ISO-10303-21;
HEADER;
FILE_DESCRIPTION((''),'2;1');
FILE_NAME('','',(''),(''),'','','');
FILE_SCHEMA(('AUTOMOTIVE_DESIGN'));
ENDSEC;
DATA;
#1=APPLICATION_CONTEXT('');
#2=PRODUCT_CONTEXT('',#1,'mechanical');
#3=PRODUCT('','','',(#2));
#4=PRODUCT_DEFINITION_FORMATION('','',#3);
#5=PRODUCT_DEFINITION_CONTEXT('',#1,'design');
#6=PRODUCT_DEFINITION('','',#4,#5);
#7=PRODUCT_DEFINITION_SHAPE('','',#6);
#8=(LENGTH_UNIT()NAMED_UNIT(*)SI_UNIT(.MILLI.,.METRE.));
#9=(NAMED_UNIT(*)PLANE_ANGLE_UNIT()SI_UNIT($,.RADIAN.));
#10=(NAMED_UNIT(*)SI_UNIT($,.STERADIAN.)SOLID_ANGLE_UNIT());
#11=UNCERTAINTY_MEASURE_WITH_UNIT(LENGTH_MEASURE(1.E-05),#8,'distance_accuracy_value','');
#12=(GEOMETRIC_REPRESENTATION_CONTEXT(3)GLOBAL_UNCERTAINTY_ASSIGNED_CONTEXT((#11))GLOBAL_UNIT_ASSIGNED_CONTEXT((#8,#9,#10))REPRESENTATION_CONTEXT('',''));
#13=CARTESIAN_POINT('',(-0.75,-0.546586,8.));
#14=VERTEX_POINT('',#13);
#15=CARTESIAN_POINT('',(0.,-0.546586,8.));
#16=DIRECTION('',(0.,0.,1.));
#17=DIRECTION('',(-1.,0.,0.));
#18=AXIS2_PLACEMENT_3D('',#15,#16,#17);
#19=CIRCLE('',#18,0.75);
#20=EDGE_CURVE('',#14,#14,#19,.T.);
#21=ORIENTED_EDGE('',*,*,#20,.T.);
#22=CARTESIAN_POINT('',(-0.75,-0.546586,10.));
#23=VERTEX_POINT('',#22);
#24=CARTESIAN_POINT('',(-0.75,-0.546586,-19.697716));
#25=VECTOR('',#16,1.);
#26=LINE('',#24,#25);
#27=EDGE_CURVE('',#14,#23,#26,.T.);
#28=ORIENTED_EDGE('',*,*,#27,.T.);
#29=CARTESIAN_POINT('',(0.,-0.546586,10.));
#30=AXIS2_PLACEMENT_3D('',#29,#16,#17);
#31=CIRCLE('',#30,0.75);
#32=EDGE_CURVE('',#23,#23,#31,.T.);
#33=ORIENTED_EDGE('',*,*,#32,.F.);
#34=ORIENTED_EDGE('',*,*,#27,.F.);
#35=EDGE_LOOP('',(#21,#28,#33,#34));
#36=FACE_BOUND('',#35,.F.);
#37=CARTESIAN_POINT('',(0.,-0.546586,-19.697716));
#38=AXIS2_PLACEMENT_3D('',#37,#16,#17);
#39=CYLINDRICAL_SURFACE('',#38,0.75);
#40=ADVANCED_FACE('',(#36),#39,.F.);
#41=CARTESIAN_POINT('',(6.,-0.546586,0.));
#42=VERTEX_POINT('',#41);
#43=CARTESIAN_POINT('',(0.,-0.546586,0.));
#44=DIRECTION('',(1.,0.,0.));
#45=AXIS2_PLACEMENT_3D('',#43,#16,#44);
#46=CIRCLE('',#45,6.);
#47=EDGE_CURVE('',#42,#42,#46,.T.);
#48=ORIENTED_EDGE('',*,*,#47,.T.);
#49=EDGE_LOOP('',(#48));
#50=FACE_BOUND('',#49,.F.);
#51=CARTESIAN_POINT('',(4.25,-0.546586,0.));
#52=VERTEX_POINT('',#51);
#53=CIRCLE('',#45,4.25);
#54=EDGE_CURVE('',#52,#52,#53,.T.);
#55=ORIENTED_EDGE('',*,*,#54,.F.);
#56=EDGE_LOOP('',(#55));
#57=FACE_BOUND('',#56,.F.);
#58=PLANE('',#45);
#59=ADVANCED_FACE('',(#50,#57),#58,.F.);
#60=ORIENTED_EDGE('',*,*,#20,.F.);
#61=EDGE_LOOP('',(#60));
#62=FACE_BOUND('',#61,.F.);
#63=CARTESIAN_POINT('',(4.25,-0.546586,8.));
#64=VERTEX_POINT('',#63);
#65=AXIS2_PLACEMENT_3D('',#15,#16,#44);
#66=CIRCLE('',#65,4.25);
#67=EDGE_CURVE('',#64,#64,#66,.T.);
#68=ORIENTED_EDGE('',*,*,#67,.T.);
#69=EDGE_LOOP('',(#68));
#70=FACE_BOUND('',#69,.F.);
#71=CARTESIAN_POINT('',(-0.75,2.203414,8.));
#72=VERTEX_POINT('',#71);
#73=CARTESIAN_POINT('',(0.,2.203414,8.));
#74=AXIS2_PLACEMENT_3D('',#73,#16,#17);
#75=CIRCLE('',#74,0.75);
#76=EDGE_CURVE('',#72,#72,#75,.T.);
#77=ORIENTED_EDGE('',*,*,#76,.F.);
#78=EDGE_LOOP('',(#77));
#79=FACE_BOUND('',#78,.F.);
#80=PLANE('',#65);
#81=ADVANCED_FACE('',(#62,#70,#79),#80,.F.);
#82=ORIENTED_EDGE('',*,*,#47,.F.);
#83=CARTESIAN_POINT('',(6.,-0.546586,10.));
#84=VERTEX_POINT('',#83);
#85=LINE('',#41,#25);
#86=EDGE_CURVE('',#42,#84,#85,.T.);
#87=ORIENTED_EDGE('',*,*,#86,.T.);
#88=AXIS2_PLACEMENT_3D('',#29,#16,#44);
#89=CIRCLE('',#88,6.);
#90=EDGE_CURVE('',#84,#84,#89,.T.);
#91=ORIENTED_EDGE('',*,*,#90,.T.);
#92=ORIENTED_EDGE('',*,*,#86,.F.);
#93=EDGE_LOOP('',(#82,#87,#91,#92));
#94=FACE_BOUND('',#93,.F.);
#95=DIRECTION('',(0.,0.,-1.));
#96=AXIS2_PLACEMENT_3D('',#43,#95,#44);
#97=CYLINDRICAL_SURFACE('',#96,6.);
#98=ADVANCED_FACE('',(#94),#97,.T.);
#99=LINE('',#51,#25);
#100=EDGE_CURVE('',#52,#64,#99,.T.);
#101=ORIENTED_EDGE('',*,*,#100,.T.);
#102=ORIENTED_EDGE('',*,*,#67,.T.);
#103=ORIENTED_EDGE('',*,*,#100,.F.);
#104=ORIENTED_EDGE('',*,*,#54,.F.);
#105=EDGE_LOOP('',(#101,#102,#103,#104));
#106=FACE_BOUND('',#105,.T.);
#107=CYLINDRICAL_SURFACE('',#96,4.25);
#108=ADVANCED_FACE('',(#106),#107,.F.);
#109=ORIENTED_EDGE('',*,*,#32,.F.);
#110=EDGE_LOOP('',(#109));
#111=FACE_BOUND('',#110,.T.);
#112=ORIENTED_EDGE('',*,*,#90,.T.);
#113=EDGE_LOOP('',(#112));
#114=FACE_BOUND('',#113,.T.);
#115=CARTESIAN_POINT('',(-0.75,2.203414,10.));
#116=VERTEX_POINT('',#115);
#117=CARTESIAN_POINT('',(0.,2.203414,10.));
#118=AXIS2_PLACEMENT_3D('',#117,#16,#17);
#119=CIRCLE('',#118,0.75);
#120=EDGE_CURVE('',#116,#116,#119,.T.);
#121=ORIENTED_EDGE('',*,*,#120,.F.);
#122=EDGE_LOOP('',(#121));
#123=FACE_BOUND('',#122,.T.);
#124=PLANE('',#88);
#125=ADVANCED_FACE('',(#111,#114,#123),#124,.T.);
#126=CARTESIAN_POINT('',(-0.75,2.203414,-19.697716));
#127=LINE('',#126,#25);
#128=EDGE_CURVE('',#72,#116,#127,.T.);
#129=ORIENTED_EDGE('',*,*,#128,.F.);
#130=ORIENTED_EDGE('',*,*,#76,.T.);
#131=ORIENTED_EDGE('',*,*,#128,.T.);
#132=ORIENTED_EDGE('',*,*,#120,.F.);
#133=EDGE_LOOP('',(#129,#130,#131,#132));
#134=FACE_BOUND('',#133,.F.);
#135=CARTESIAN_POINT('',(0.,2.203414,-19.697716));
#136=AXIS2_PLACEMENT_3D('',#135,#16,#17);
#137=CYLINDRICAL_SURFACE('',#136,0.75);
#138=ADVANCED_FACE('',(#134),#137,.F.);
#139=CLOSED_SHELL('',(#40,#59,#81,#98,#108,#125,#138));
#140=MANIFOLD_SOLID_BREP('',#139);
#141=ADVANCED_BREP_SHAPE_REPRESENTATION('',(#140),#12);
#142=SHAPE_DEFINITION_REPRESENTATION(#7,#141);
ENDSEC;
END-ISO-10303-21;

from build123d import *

# Parameters (mm, degrees)
F0_R     = 6
F0_R_2   = 4.25
F1_DEPTH = 10
F2_DEPTH = 8
F3_D     = 1.5


with BuildPart() as f1:
    # F0 (on Top) → F1 (new body)
    with BuildSketch(Plane.XY):
        with Locations((0, -0.5465864819)):
            Circle(F0_R)
        with Locations((0, -0.5465864819)):
            Circle(F0_R_2, mode=Mode.SUBTRACT)
        with Locations((0, -0.5465864819)):
            Circle(F0_R_2)
    extrude(amount=F1_DEPTH)

    # F0 (on Top) → F2 (cut)
    with BuildSketch(Plane.XY):
        with Locations((0, -0.5465864819)):
            Circle(F0_R_2)
    extrude(amount=F2_DEPTH, mode=Mode.SUBTRACT)

    # F3 (through all)
    with Locations(Plane(origin=(0, 0, 0), x_dir=(1, 0, 0), z_dir=(0, 0, -1))):
        with Locations((0, 0.5465864819), (0, -2.2034135181)):
            Hole(F3_D / 2)


solid = f1.part
